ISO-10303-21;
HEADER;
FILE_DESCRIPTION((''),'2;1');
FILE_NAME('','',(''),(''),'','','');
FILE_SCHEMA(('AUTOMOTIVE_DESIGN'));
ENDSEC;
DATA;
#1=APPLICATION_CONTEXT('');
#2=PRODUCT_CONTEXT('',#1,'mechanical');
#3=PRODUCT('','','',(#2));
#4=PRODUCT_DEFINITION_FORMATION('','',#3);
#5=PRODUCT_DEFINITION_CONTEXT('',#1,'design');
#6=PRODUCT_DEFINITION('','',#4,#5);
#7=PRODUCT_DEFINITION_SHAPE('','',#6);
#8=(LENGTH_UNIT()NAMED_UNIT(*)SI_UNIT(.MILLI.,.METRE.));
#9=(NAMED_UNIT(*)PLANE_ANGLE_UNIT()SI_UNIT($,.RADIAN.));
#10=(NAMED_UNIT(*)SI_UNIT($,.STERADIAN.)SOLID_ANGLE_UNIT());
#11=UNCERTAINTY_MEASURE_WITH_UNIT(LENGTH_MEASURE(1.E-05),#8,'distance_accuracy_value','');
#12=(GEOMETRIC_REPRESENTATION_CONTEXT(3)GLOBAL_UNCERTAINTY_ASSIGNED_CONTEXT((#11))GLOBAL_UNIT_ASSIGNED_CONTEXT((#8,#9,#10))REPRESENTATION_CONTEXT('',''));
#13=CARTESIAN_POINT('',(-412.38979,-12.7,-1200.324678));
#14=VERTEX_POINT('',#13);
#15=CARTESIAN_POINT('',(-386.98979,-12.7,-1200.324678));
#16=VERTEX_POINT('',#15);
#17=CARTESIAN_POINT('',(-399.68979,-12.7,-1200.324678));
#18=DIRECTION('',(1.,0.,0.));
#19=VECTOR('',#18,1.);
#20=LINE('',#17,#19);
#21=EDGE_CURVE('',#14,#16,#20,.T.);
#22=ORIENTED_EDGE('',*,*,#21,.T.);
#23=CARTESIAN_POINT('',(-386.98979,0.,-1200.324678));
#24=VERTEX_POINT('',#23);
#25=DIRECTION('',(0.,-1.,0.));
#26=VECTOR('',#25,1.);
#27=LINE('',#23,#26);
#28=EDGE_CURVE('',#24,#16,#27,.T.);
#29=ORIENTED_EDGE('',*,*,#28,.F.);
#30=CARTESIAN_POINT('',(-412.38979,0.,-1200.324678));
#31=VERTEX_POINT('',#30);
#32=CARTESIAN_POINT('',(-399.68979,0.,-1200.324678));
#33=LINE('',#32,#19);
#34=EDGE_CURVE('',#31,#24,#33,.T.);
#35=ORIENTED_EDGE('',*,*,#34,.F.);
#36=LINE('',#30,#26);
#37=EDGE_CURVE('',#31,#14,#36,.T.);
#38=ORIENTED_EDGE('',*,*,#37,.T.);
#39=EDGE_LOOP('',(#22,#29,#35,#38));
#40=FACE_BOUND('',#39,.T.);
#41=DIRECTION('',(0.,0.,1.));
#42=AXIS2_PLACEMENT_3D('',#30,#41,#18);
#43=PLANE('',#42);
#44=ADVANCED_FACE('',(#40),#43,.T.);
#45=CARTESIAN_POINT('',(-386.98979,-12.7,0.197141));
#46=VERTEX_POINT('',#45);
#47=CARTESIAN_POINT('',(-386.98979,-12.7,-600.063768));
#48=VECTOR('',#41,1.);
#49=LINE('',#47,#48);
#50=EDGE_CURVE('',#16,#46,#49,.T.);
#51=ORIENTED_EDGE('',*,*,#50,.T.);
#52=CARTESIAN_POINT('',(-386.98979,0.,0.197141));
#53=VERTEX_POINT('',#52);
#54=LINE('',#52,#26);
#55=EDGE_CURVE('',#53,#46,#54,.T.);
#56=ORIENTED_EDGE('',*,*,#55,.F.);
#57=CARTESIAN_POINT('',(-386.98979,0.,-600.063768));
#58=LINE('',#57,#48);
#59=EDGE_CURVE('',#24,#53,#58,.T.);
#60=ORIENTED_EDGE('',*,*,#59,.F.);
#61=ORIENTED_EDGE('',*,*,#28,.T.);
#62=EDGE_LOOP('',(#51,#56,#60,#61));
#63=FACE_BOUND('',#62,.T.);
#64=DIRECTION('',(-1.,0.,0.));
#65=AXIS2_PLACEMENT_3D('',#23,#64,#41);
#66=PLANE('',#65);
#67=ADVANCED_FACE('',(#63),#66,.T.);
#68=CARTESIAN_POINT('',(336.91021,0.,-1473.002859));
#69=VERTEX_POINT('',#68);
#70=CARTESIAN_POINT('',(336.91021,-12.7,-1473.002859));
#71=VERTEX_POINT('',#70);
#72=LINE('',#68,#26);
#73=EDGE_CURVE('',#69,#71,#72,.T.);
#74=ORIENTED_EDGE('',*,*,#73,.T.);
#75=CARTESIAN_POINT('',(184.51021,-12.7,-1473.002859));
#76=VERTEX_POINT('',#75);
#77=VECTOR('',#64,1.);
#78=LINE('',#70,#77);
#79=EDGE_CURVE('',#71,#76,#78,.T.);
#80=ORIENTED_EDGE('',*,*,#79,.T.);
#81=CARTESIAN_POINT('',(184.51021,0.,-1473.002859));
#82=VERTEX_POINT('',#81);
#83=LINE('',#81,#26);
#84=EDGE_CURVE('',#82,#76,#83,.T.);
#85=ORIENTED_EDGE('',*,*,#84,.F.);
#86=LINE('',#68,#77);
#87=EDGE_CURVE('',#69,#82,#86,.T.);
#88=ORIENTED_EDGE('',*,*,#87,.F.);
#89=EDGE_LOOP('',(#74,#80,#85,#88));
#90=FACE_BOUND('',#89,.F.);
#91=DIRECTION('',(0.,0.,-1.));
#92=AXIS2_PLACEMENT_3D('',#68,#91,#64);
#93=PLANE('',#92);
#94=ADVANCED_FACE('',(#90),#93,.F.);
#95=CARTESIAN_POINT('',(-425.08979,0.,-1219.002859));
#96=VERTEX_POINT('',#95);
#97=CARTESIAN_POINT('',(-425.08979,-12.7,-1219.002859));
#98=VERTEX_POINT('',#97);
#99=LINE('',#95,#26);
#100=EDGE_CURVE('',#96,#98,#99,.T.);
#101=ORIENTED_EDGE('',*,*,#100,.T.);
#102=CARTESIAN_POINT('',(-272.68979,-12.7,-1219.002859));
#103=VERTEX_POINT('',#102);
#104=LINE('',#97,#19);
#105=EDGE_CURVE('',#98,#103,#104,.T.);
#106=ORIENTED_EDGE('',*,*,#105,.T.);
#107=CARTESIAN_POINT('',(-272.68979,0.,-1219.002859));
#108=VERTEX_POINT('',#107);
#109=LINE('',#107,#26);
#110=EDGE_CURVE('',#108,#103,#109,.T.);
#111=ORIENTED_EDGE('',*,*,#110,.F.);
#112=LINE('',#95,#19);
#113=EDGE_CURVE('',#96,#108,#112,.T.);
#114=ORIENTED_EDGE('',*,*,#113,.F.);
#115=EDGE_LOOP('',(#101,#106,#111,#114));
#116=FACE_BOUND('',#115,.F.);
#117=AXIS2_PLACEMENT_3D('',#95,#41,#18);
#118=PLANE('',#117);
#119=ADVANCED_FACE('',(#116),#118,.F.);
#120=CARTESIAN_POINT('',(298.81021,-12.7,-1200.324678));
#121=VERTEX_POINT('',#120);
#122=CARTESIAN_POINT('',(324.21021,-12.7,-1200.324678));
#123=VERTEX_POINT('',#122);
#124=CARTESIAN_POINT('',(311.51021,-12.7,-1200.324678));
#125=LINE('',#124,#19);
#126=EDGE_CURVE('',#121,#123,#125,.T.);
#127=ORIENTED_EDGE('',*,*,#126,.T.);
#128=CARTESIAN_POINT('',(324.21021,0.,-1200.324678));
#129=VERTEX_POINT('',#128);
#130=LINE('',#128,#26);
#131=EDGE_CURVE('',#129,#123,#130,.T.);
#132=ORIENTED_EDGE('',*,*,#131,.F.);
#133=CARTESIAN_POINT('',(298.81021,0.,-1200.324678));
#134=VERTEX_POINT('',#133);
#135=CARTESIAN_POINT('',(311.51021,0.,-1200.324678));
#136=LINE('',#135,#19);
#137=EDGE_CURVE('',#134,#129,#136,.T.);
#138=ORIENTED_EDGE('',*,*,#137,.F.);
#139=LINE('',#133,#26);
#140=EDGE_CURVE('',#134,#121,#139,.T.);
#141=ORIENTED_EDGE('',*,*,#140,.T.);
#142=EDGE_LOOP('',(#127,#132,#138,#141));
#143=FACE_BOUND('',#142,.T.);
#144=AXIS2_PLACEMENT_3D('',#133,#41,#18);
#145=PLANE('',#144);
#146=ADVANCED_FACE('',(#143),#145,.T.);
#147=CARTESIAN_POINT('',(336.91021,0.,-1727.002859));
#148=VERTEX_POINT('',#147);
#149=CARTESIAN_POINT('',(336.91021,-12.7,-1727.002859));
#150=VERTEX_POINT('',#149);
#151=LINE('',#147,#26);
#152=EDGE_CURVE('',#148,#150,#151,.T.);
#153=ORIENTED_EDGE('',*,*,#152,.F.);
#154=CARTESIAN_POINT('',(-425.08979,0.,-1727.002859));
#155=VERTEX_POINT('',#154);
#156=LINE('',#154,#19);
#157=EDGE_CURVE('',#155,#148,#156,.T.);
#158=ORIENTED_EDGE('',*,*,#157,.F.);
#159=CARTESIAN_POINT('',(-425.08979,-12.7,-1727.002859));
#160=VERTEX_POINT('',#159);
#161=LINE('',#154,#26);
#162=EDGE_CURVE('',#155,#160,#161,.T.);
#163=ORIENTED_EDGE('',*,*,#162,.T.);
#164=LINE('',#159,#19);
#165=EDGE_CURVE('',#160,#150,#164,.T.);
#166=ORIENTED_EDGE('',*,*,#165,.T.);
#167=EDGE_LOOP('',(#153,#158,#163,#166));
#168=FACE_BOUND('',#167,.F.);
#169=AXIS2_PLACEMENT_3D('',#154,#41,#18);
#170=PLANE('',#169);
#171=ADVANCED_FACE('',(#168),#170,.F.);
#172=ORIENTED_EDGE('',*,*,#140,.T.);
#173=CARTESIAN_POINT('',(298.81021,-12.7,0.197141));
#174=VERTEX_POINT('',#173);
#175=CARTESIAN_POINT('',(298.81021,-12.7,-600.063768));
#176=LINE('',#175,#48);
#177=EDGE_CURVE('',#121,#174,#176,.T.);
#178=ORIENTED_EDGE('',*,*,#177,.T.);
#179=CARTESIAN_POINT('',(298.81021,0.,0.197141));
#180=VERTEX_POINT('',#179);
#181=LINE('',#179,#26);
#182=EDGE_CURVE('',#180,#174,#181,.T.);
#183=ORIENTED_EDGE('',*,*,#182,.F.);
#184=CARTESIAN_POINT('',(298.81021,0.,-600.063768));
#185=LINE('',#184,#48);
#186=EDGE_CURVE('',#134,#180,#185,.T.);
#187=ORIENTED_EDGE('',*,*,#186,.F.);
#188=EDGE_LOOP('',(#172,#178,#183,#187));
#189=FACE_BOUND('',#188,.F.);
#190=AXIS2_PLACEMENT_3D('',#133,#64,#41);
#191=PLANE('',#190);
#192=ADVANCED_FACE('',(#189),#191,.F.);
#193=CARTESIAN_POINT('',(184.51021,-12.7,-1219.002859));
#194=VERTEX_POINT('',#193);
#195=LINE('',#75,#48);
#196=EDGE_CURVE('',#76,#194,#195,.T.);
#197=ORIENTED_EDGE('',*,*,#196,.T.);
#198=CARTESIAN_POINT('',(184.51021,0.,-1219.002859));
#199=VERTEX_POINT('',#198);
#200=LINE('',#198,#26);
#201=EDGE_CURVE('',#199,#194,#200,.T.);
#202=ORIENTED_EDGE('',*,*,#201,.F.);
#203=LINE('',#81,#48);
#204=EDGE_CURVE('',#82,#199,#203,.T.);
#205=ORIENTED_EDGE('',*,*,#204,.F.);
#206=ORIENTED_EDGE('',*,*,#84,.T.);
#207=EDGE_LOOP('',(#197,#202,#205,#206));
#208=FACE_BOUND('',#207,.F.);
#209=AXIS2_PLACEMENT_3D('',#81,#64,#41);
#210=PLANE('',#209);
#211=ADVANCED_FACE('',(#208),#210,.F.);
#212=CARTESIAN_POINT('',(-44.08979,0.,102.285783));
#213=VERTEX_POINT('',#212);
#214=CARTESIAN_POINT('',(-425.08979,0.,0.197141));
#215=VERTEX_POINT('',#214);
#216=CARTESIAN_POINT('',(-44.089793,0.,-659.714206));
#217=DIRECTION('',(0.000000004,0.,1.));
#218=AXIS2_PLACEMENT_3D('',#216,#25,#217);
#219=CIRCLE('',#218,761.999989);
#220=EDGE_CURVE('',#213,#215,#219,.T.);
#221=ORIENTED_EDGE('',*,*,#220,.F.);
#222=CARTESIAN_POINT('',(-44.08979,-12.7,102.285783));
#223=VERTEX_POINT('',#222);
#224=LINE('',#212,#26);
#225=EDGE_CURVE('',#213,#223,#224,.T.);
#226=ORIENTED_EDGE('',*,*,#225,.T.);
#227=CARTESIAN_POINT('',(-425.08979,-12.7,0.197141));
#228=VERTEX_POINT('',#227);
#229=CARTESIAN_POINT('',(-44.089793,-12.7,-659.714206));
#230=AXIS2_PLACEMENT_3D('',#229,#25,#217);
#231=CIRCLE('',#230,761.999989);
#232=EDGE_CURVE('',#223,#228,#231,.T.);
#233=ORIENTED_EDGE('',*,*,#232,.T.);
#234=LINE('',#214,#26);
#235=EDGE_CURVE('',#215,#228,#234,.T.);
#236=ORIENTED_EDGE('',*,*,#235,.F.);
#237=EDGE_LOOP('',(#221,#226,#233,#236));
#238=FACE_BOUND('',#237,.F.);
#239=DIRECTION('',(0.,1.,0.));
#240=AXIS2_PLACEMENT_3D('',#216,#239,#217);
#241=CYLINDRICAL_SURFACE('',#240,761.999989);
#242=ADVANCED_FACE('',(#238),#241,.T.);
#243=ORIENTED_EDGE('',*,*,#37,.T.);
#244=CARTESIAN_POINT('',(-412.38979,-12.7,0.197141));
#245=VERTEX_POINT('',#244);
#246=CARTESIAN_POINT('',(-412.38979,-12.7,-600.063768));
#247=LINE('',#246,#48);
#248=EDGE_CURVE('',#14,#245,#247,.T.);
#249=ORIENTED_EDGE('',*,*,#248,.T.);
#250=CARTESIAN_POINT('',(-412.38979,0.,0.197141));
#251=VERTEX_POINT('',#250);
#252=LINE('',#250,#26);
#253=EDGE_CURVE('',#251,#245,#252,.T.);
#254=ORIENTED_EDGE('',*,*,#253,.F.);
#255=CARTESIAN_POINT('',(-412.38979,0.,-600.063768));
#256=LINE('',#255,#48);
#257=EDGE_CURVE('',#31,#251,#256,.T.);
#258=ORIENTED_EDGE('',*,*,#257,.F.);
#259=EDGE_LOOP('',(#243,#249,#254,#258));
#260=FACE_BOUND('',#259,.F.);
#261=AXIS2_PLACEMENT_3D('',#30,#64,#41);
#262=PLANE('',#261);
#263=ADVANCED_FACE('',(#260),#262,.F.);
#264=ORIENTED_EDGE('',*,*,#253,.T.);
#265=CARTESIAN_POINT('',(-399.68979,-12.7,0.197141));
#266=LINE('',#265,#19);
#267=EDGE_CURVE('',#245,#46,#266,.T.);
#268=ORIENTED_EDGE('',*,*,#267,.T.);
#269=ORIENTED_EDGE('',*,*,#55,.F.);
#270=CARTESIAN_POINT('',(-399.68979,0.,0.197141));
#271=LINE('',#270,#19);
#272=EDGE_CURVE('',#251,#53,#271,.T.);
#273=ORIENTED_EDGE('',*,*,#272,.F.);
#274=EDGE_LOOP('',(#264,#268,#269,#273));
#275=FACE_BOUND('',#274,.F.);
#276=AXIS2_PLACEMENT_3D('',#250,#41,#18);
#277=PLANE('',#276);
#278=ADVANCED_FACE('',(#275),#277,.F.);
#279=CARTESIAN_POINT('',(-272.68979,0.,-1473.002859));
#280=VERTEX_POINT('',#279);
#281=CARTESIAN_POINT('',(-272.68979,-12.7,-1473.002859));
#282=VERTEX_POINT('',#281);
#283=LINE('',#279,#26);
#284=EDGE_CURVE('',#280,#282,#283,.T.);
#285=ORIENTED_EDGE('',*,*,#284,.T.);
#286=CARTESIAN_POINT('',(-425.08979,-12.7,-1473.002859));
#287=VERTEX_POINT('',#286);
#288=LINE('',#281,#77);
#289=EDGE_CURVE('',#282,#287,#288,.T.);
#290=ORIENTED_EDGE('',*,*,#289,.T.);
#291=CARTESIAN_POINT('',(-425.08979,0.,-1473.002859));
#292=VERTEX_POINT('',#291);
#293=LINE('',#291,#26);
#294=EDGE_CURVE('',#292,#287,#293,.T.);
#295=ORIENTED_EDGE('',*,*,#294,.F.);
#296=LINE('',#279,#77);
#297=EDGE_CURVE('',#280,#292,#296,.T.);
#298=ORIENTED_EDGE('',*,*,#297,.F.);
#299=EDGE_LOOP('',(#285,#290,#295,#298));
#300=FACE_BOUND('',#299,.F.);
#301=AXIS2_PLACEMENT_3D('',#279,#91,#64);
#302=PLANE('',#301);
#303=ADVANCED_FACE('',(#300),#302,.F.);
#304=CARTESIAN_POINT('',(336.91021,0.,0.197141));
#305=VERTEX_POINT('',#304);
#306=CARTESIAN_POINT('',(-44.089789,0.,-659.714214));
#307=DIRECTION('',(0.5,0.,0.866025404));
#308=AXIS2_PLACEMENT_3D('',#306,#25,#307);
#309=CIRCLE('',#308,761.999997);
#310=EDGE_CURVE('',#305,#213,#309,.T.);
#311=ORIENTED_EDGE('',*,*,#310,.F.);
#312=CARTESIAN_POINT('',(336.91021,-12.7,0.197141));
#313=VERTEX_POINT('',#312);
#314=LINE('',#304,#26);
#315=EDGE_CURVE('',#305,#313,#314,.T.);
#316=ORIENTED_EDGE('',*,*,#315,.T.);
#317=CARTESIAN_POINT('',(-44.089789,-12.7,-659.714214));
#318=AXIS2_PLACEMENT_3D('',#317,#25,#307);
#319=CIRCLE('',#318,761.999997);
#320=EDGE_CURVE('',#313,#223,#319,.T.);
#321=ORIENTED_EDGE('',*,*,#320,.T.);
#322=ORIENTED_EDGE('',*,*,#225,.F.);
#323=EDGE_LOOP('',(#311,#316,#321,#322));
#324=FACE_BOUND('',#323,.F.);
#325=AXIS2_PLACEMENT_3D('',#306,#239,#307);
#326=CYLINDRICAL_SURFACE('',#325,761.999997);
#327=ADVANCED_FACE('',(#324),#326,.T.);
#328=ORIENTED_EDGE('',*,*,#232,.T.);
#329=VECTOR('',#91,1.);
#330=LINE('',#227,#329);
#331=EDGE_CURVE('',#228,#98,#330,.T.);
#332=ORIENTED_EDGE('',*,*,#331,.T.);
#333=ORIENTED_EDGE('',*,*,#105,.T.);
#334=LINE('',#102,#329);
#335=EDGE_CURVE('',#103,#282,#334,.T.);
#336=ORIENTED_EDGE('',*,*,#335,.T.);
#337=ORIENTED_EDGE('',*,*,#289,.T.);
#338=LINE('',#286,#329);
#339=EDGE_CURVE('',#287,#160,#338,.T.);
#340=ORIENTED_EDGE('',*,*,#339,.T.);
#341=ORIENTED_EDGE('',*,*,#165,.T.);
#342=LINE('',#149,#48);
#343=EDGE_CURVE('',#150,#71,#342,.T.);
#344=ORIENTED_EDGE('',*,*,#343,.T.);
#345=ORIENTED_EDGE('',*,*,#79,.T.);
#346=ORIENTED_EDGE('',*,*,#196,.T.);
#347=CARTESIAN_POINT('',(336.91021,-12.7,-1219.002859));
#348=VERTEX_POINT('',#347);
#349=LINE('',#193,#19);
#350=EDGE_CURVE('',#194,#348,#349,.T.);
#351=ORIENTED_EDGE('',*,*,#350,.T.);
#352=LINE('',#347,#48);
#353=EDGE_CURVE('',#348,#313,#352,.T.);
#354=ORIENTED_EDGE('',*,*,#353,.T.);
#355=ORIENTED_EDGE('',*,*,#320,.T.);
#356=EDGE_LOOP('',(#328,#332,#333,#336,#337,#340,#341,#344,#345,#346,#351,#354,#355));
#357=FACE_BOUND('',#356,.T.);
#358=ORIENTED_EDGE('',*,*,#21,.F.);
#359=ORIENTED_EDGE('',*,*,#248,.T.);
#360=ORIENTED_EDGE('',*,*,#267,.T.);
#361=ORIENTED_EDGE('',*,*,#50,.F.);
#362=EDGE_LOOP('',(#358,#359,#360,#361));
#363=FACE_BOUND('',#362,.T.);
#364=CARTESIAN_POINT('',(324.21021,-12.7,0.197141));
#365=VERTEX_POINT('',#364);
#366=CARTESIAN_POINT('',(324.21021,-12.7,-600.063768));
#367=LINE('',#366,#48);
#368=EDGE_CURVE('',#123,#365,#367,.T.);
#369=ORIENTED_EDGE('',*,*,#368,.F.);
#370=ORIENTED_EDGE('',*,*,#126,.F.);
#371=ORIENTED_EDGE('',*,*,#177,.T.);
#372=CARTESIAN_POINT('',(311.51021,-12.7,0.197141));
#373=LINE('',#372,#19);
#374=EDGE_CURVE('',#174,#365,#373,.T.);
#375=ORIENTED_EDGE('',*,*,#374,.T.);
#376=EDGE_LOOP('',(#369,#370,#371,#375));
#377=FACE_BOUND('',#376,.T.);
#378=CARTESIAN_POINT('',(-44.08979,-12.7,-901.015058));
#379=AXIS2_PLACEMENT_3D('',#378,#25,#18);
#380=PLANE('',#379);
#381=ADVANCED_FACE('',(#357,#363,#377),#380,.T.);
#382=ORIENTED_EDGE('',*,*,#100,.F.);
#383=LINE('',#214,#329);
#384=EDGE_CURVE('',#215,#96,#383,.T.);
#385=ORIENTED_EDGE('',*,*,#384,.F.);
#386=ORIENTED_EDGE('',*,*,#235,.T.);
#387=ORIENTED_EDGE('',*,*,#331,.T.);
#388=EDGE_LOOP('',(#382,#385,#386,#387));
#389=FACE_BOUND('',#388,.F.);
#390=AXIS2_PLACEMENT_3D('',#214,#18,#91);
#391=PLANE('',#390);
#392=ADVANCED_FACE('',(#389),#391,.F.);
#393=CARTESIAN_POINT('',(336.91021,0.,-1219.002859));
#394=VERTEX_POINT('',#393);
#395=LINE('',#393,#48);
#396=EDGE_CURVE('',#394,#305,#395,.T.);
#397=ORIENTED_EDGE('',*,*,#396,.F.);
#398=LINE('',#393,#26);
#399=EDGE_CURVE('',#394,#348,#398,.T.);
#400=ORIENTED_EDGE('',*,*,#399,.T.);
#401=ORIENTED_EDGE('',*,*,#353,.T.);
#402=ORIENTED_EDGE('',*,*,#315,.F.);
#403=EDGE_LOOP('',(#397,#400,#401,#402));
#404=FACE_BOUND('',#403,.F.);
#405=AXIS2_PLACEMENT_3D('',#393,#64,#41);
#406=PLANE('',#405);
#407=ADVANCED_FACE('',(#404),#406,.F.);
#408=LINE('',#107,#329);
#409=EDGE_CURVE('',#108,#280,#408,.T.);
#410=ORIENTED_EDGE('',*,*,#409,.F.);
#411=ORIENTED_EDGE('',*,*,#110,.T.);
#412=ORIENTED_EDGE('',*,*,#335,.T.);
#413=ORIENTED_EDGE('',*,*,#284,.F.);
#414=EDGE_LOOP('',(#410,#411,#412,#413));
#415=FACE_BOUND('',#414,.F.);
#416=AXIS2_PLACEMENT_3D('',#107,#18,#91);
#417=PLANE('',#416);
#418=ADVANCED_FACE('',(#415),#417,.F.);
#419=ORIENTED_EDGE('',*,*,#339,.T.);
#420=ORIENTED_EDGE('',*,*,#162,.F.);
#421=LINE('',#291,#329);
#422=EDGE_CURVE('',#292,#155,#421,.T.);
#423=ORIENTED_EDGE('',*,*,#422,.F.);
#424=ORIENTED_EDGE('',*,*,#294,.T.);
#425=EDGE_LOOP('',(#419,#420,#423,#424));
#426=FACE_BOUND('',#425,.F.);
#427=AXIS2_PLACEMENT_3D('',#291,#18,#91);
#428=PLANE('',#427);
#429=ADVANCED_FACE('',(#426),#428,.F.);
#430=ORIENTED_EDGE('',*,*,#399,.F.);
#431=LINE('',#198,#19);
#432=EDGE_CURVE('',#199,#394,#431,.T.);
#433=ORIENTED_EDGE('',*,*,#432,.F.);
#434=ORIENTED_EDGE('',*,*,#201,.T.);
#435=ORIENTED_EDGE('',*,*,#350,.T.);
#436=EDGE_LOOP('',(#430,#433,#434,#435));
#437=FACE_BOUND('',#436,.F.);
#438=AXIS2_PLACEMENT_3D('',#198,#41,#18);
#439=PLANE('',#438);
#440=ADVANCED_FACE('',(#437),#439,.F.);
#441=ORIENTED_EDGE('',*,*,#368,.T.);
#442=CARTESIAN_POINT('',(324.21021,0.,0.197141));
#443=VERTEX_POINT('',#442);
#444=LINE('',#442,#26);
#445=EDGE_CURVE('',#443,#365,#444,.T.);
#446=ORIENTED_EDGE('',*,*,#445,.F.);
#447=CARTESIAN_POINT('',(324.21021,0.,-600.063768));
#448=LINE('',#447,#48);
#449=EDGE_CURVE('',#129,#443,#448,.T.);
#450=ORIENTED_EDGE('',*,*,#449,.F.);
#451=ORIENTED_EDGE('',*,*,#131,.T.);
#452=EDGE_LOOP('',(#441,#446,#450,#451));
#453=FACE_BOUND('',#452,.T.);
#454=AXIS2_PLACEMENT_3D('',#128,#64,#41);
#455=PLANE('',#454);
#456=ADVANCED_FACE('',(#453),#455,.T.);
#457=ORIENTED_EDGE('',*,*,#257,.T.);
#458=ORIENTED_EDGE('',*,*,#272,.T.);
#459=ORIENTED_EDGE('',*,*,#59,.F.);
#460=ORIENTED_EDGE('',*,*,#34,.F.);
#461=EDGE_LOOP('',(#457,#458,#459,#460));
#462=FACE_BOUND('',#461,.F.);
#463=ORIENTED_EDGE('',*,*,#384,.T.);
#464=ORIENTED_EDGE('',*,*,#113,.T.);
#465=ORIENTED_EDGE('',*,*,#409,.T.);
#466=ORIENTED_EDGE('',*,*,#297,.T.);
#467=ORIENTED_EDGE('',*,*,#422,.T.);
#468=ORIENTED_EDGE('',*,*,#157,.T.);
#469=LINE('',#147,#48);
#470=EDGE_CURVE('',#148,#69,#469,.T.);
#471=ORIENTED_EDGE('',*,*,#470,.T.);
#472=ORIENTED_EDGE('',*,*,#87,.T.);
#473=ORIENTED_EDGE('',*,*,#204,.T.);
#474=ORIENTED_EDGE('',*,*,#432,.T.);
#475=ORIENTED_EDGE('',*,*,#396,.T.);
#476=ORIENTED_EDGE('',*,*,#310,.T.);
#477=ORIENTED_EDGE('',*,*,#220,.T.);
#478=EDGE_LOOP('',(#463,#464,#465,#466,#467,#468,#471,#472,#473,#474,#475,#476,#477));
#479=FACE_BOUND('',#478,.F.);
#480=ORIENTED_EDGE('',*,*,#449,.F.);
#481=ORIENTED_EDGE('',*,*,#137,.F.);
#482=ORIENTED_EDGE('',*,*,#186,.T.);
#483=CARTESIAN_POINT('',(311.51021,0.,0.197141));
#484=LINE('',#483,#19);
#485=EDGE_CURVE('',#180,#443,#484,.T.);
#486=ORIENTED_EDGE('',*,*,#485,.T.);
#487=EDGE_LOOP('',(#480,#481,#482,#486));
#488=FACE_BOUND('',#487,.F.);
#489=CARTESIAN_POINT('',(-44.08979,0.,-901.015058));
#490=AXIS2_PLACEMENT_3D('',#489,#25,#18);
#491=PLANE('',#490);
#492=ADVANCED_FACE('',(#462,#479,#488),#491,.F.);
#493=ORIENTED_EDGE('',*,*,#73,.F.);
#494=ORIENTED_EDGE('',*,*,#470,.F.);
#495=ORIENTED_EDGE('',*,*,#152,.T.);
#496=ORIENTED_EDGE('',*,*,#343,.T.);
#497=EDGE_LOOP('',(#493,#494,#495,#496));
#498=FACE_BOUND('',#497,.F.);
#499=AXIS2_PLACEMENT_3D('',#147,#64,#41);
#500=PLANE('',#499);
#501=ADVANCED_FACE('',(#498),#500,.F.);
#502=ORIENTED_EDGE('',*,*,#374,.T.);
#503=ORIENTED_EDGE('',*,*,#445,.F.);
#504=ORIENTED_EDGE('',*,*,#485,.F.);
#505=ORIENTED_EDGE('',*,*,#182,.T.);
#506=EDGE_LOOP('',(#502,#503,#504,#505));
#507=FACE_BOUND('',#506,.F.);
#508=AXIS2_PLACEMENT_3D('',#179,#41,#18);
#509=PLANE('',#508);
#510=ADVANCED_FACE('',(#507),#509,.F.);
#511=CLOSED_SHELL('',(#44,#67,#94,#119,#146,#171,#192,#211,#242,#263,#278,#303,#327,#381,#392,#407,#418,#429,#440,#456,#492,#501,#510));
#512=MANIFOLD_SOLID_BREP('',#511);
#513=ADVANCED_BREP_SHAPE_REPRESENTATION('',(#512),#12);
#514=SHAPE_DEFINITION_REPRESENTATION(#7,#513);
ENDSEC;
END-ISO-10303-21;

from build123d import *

# Parameters (mm, degrees)
F0_W     = 25.4
F0_H     = 1200.521819
F1_DEPTH = 12.7


with BuildPart() as f1:
    # F0 (on Front) → F1 (new body)
    with BuildSketch(Plane.XZ):
        with BuildLine():
            Line((336.91021, -1219.002859), (336.91021, 0.197141))
            ThreePointArc((336.91021, 0.197141), (153.130322, 76.321263), (-44.08979, 102.285783))
            ThreePointArc((-44.08979, 102.285783), (-241.309903, 76.321263), (-425.08979, 0.197141))
            Line((-425.08979, 0.197141), (-425.08979, -1219.002859))
            Line((-425.08979, -1219.002859), (-272.68979, -1219.002859))
            Line((-272.68979, -1219.002859), (-272.68979, -1473.002859))
            Line((-272.68979, -1473.002859), (-425.08979, -1473.002859))
            Line((-425.08979, -1473.002859), (-425.08979, -1727.002859))
            Line((-425.08979, -1727.002859), (336.91021, -1727.002859))
            Line((336.91021, -1727.002859), (336.91021, -1473.002859))
            Line((336.91021, -1473.002859), (184.51021, -1473.002859))
            Line((184.51021, -1473.002859), (184.51021, -1219.002859))
            Line((184.51021, -1219.002859), (336.91021, -1219.002859))
        make_face()
        with Locations((-399.68979, -600.063768)):
            Rectangle(F0_W, F0_H, mode=Mode.SUBTRACT)
        with Locations((311.51021, -600.063768)):
            Rectangle(F0_W, F0_H, mode=Mode.SUBTRACT)
    extrude(amount=F1_DEPTH)


solid = f1.part
